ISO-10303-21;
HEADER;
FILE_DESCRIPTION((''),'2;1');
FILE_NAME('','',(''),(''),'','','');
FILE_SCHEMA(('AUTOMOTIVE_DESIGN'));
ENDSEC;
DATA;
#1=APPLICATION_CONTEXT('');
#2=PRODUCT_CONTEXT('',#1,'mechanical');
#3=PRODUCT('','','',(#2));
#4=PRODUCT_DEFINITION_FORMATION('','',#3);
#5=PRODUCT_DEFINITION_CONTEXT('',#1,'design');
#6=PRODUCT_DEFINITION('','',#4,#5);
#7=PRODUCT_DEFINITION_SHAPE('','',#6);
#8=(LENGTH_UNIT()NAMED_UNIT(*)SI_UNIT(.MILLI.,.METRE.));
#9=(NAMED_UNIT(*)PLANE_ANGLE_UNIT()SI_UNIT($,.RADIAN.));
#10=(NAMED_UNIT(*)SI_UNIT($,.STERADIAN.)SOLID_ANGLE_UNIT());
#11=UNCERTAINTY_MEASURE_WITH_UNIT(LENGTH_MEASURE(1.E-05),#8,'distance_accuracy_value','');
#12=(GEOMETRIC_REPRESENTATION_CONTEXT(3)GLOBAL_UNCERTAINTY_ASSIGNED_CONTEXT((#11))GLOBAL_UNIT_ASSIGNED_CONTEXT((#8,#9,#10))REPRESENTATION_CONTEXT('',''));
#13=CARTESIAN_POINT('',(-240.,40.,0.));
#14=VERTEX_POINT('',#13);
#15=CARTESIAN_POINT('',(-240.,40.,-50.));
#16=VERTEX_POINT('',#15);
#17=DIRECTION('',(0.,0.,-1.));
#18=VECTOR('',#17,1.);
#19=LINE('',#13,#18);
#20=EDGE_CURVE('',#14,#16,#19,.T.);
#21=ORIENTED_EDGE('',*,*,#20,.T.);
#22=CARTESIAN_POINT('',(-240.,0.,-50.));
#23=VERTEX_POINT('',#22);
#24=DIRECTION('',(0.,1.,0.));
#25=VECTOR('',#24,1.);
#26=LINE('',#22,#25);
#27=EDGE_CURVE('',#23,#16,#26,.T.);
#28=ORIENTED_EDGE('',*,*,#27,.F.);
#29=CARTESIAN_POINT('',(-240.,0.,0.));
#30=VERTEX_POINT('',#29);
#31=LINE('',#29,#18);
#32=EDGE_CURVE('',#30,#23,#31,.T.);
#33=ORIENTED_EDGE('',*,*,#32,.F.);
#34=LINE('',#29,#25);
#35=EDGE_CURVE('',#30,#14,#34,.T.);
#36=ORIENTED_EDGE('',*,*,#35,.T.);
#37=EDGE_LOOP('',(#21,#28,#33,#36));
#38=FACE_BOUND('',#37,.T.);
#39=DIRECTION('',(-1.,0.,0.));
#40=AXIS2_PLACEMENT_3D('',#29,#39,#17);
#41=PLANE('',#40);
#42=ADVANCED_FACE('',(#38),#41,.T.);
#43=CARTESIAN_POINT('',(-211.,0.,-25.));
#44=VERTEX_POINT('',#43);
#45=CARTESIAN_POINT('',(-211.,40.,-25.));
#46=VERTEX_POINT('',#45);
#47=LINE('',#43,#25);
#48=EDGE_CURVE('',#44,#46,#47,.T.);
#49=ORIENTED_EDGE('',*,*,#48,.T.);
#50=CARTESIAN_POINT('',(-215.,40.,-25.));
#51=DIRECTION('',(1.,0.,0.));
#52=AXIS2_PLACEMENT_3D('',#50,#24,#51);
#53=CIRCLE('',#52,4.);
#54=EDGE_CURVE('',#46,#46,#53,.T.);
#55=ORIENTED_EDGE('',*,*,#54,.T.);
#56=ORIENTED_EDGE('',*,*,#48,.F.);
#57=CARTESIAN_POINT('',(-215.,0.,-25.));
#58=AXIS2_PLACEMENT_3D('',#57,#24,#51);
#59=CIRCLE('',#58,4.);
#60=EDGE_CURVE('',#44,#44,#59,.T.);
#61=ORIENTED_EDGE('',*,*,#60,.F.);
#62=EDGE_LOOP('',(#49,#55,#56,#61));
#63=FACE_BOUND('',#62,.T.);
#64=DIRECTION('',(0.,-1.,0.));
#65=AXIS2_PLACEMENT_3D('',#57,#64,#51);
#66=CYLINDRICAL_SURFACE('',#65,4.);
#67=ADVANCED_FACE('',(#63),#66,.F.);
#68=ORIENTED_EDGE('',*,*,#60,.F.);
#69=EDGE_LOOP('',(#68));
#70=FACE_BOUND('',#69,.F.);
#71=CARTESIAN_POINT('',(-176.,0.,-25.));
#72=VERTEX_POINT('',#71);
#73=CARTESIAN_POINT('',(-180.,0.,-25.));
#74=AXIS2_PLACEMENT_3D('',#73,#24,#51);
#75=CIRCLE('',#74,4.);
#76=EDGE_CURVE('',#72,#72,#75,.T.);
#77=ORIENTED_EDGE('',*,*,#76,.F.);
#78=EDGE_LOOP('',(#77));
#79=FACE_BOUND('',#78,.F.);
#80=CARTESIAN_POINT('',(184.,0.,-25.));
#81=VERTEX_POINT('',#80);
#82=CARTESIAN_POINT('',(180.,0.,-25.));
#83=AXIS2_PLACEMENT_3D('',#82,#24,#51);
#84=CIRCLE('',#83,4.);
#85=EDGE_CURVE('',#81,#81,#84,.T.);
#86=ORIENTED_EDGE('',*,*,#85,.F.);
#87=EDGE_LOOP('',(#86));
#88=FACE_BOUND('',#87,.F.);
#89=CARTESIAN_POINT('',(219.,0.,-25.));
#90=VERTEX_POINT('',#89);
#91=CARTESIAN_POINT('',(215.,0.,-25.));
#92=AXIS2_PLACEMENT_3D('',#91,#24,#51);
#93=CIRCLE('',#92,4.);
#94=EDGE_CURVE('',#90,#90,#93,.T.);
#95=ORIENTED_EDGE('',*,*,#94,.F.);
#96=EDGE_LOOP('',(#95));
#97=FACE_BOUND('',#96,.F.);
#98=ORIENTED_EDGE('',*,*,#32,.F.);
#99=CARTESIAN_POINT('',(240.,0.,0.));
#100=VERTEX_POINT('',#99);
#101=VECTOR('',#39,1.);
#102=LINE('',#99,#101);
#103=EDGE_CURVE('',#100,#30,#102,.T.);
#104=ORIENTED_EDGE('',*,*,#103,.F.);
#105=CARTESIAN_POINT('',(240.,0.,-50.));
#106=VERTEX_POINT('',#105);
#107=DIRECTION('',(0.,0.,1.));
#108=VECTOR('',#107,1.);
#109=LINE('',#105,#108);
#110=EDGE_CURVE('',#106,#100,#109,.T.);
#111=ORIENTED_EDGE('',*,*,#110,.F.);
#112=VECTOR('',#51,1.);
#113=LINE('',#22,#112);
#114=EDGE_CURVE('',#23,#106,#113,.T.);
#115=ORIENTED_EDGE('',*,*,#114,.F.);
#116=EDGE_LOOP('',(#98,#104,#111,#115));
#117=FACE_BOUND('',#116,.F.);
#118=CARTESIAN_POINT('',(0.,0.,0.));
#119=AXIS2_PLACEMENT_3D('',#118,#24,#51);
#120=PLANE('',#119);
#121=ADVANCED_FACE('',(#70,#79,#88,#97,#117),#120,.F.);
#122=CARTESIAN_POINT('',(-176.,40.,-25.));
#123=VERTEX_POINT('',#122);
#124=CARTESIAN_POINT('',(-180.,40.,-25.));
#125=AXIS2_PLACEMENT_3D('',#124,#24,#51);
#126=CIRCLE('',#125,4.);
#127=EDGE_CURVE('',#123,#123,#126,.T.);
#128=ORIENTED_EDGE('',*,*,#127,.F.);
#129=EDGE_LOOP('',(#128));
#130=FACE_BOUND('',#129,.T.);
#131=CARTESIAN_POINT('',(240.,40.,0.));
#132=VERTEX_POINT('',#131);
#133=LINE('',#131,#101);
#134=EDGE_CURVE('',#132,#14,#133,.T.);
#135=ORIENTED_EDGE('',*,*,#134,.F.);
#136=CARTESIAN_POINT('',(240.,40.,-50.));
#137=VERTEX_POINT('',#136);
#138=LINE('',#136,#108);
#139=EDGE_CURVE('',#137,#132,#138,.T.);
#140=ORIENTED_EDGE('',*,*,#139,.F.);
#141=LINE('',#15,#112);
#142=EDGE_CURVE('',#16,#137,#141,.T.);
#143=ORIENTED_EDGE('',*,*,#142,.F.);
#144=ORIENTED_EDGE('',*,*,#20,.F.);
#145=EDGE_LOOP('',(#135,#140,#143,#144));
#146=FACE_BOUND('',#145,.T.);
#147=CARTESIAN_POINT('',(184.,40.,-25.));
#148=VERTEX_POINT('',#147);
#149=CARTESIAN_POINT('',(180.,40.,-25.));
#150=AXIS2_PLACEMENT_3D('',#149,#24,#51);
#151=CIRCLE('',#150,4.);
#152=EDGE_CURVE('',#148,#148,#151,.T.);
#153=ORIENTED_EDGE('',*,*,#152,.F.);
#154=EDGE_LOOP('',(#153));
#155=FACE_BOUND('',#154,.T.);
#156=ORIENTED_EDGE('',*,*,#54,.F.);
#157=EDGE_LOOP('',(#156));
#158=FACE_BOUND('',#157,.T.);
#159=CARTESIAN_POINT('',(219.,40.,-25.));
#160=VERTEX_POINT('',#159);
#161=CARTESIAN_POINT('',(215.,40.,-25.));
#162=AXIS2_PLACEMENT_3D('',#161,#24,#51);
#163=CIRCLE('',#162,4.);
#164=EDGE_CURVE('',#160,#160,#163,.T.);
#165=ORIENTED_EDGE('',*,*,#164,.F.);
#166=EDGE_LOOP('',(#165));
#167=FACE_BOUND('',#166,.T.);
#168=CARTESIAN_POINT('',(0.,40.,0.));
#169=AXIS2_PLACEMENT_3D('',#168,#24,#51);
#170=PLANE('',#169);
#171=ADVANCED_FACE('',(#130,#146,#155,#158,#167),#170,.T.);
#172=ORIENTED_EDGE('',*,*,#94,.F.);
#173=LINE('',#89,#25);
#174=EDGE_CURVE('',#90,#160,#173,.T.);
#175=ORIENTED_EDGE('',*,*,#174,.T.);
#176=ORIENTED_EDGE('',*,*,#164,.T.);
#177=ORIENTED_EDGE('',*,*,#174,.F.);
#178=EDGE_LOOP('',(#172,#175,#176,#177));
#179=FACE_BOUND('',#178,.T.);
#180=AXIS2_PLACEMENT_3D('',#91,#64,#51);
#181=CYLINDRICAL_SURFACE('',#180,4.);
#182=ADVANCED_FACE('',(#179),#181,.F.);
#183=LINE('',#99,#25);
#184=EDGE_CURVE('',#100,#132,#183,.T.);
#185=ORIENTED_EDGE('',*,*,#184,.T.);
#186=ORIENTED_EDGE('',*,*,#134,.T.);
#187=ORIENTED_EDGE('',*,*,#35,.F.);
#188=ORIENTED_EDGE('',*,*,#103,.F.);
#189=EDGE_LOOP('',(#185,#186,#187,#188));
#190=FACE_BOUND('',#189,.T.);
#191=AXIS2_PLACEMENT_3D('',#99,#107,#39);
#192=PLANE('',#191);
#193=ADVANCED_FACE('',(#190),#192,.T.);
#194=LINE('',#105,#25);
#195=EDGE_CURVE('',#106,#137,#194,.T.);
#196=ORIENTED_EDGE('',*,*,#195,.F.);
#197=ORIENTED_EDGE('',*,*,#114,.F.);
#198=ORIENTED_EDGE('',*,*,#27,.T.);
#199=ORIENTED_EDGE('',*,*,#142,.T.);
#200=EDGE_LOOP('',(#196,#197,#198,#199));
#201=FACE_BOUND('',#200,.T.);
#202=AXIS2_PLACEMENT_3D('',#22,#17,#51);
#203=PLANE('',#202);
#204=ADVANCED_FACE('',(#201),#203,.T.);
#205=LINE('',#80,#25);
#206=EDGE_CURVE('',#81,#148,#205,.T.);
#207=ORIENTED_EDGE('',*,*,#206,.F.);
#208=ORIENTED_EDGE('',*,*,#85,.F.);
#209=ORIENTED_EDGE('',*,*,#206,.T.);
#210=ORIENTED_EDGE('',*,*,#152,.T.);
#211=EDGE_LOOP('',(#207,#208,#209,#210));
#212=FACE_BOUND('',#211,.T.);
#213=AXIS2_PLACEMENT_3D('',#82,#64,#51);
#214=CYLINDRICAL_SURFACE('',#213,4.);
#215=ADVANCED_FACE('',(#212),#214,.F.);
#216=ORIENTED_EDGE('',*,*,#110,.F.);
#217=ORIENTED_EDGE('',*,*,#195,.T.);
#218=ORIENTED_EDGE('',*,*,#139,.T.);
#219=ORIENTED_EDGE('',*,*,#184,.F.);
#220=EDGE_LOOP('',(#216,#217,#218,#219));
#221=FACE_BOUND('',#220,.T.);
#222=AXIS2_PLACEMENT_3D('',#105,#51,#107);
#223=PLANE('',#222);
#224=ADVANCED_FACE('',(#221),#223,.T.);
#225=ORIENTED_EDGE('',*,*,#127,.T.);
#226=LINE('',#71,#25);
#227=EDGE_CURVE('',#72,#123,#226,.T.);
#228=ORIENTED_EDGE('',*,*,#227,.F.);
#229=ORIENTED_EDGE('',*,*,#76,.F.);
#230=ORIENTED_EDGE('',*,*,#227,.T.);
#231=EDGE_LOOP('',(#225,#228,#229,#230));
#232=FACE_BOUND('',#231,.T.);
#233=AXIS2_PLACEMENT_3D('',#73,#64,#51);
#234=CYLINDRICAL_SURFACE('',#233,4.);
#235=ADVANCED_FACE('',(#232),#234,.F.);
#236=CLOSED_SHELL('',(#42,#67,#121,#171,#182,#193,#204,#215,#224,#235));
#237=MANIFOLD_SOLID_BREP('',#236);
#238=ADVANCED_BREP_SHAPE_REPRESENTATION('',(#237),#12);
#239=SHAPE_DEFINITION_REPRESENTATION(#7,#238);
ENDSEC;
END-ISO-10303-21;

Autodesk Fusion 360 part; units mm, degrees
sketch "Sketch4" plane through (0, 0, 0) normal (0, 1, 0) x (1, 0, 0)
  line L0 (-240, 50) -> (240, 50)
  line L1 (240, 50) -> (240, 0)
  line L2 (240, 0) -> (-240, 0)
  line L3 (-240, 0) -> (-240, 50)
  line L4 (0, 50) -> (0, 0) construction
  line L5 (50, 50) -> (50, 0) construction
  line L6 (115, 50) -> (115, 0) construction
  line L7 (165, 50) -> (165, 0) construction
  line L8 (180, 50) -> (180, 0) construction
  line L9 (215, 50) -> (215, 0) construction
  line L10 (-115, 50) -> (-115, 0) construction
  line L11 (-50, 50) -> (-50, 0) construction
  line L12 (-165, 50) -> (-165, 0) construction
  line L13 (-180, 50) -> (-180, 0) construction
  line L14 (-215, 50) -> (-215, 0) construction
  line L15 (-240, 25) -> (240, 25) construction
  circle A0 centre (180, 25) radius 4
  circle A1 centre (215, 25) radius 4
  circle A2 centre (-180, 25) radius 4
  circle A3 centre (-215, 25) radius 4
  dimension "d6" = 480
  dimension "d7" = 50
  dimension "d8" = 100
  dimension "d9" = 50
  dimension "d10" = 330
  dimension "d11" = 25
  dimension "d12" = 35
  dimension "d13" = 8
  dimension "d14" = 8
  dimension "d15" = 8
  dimension "d16" = 8
extrude "Extrude1" add sketch "Sketch4" along normal blind 40
